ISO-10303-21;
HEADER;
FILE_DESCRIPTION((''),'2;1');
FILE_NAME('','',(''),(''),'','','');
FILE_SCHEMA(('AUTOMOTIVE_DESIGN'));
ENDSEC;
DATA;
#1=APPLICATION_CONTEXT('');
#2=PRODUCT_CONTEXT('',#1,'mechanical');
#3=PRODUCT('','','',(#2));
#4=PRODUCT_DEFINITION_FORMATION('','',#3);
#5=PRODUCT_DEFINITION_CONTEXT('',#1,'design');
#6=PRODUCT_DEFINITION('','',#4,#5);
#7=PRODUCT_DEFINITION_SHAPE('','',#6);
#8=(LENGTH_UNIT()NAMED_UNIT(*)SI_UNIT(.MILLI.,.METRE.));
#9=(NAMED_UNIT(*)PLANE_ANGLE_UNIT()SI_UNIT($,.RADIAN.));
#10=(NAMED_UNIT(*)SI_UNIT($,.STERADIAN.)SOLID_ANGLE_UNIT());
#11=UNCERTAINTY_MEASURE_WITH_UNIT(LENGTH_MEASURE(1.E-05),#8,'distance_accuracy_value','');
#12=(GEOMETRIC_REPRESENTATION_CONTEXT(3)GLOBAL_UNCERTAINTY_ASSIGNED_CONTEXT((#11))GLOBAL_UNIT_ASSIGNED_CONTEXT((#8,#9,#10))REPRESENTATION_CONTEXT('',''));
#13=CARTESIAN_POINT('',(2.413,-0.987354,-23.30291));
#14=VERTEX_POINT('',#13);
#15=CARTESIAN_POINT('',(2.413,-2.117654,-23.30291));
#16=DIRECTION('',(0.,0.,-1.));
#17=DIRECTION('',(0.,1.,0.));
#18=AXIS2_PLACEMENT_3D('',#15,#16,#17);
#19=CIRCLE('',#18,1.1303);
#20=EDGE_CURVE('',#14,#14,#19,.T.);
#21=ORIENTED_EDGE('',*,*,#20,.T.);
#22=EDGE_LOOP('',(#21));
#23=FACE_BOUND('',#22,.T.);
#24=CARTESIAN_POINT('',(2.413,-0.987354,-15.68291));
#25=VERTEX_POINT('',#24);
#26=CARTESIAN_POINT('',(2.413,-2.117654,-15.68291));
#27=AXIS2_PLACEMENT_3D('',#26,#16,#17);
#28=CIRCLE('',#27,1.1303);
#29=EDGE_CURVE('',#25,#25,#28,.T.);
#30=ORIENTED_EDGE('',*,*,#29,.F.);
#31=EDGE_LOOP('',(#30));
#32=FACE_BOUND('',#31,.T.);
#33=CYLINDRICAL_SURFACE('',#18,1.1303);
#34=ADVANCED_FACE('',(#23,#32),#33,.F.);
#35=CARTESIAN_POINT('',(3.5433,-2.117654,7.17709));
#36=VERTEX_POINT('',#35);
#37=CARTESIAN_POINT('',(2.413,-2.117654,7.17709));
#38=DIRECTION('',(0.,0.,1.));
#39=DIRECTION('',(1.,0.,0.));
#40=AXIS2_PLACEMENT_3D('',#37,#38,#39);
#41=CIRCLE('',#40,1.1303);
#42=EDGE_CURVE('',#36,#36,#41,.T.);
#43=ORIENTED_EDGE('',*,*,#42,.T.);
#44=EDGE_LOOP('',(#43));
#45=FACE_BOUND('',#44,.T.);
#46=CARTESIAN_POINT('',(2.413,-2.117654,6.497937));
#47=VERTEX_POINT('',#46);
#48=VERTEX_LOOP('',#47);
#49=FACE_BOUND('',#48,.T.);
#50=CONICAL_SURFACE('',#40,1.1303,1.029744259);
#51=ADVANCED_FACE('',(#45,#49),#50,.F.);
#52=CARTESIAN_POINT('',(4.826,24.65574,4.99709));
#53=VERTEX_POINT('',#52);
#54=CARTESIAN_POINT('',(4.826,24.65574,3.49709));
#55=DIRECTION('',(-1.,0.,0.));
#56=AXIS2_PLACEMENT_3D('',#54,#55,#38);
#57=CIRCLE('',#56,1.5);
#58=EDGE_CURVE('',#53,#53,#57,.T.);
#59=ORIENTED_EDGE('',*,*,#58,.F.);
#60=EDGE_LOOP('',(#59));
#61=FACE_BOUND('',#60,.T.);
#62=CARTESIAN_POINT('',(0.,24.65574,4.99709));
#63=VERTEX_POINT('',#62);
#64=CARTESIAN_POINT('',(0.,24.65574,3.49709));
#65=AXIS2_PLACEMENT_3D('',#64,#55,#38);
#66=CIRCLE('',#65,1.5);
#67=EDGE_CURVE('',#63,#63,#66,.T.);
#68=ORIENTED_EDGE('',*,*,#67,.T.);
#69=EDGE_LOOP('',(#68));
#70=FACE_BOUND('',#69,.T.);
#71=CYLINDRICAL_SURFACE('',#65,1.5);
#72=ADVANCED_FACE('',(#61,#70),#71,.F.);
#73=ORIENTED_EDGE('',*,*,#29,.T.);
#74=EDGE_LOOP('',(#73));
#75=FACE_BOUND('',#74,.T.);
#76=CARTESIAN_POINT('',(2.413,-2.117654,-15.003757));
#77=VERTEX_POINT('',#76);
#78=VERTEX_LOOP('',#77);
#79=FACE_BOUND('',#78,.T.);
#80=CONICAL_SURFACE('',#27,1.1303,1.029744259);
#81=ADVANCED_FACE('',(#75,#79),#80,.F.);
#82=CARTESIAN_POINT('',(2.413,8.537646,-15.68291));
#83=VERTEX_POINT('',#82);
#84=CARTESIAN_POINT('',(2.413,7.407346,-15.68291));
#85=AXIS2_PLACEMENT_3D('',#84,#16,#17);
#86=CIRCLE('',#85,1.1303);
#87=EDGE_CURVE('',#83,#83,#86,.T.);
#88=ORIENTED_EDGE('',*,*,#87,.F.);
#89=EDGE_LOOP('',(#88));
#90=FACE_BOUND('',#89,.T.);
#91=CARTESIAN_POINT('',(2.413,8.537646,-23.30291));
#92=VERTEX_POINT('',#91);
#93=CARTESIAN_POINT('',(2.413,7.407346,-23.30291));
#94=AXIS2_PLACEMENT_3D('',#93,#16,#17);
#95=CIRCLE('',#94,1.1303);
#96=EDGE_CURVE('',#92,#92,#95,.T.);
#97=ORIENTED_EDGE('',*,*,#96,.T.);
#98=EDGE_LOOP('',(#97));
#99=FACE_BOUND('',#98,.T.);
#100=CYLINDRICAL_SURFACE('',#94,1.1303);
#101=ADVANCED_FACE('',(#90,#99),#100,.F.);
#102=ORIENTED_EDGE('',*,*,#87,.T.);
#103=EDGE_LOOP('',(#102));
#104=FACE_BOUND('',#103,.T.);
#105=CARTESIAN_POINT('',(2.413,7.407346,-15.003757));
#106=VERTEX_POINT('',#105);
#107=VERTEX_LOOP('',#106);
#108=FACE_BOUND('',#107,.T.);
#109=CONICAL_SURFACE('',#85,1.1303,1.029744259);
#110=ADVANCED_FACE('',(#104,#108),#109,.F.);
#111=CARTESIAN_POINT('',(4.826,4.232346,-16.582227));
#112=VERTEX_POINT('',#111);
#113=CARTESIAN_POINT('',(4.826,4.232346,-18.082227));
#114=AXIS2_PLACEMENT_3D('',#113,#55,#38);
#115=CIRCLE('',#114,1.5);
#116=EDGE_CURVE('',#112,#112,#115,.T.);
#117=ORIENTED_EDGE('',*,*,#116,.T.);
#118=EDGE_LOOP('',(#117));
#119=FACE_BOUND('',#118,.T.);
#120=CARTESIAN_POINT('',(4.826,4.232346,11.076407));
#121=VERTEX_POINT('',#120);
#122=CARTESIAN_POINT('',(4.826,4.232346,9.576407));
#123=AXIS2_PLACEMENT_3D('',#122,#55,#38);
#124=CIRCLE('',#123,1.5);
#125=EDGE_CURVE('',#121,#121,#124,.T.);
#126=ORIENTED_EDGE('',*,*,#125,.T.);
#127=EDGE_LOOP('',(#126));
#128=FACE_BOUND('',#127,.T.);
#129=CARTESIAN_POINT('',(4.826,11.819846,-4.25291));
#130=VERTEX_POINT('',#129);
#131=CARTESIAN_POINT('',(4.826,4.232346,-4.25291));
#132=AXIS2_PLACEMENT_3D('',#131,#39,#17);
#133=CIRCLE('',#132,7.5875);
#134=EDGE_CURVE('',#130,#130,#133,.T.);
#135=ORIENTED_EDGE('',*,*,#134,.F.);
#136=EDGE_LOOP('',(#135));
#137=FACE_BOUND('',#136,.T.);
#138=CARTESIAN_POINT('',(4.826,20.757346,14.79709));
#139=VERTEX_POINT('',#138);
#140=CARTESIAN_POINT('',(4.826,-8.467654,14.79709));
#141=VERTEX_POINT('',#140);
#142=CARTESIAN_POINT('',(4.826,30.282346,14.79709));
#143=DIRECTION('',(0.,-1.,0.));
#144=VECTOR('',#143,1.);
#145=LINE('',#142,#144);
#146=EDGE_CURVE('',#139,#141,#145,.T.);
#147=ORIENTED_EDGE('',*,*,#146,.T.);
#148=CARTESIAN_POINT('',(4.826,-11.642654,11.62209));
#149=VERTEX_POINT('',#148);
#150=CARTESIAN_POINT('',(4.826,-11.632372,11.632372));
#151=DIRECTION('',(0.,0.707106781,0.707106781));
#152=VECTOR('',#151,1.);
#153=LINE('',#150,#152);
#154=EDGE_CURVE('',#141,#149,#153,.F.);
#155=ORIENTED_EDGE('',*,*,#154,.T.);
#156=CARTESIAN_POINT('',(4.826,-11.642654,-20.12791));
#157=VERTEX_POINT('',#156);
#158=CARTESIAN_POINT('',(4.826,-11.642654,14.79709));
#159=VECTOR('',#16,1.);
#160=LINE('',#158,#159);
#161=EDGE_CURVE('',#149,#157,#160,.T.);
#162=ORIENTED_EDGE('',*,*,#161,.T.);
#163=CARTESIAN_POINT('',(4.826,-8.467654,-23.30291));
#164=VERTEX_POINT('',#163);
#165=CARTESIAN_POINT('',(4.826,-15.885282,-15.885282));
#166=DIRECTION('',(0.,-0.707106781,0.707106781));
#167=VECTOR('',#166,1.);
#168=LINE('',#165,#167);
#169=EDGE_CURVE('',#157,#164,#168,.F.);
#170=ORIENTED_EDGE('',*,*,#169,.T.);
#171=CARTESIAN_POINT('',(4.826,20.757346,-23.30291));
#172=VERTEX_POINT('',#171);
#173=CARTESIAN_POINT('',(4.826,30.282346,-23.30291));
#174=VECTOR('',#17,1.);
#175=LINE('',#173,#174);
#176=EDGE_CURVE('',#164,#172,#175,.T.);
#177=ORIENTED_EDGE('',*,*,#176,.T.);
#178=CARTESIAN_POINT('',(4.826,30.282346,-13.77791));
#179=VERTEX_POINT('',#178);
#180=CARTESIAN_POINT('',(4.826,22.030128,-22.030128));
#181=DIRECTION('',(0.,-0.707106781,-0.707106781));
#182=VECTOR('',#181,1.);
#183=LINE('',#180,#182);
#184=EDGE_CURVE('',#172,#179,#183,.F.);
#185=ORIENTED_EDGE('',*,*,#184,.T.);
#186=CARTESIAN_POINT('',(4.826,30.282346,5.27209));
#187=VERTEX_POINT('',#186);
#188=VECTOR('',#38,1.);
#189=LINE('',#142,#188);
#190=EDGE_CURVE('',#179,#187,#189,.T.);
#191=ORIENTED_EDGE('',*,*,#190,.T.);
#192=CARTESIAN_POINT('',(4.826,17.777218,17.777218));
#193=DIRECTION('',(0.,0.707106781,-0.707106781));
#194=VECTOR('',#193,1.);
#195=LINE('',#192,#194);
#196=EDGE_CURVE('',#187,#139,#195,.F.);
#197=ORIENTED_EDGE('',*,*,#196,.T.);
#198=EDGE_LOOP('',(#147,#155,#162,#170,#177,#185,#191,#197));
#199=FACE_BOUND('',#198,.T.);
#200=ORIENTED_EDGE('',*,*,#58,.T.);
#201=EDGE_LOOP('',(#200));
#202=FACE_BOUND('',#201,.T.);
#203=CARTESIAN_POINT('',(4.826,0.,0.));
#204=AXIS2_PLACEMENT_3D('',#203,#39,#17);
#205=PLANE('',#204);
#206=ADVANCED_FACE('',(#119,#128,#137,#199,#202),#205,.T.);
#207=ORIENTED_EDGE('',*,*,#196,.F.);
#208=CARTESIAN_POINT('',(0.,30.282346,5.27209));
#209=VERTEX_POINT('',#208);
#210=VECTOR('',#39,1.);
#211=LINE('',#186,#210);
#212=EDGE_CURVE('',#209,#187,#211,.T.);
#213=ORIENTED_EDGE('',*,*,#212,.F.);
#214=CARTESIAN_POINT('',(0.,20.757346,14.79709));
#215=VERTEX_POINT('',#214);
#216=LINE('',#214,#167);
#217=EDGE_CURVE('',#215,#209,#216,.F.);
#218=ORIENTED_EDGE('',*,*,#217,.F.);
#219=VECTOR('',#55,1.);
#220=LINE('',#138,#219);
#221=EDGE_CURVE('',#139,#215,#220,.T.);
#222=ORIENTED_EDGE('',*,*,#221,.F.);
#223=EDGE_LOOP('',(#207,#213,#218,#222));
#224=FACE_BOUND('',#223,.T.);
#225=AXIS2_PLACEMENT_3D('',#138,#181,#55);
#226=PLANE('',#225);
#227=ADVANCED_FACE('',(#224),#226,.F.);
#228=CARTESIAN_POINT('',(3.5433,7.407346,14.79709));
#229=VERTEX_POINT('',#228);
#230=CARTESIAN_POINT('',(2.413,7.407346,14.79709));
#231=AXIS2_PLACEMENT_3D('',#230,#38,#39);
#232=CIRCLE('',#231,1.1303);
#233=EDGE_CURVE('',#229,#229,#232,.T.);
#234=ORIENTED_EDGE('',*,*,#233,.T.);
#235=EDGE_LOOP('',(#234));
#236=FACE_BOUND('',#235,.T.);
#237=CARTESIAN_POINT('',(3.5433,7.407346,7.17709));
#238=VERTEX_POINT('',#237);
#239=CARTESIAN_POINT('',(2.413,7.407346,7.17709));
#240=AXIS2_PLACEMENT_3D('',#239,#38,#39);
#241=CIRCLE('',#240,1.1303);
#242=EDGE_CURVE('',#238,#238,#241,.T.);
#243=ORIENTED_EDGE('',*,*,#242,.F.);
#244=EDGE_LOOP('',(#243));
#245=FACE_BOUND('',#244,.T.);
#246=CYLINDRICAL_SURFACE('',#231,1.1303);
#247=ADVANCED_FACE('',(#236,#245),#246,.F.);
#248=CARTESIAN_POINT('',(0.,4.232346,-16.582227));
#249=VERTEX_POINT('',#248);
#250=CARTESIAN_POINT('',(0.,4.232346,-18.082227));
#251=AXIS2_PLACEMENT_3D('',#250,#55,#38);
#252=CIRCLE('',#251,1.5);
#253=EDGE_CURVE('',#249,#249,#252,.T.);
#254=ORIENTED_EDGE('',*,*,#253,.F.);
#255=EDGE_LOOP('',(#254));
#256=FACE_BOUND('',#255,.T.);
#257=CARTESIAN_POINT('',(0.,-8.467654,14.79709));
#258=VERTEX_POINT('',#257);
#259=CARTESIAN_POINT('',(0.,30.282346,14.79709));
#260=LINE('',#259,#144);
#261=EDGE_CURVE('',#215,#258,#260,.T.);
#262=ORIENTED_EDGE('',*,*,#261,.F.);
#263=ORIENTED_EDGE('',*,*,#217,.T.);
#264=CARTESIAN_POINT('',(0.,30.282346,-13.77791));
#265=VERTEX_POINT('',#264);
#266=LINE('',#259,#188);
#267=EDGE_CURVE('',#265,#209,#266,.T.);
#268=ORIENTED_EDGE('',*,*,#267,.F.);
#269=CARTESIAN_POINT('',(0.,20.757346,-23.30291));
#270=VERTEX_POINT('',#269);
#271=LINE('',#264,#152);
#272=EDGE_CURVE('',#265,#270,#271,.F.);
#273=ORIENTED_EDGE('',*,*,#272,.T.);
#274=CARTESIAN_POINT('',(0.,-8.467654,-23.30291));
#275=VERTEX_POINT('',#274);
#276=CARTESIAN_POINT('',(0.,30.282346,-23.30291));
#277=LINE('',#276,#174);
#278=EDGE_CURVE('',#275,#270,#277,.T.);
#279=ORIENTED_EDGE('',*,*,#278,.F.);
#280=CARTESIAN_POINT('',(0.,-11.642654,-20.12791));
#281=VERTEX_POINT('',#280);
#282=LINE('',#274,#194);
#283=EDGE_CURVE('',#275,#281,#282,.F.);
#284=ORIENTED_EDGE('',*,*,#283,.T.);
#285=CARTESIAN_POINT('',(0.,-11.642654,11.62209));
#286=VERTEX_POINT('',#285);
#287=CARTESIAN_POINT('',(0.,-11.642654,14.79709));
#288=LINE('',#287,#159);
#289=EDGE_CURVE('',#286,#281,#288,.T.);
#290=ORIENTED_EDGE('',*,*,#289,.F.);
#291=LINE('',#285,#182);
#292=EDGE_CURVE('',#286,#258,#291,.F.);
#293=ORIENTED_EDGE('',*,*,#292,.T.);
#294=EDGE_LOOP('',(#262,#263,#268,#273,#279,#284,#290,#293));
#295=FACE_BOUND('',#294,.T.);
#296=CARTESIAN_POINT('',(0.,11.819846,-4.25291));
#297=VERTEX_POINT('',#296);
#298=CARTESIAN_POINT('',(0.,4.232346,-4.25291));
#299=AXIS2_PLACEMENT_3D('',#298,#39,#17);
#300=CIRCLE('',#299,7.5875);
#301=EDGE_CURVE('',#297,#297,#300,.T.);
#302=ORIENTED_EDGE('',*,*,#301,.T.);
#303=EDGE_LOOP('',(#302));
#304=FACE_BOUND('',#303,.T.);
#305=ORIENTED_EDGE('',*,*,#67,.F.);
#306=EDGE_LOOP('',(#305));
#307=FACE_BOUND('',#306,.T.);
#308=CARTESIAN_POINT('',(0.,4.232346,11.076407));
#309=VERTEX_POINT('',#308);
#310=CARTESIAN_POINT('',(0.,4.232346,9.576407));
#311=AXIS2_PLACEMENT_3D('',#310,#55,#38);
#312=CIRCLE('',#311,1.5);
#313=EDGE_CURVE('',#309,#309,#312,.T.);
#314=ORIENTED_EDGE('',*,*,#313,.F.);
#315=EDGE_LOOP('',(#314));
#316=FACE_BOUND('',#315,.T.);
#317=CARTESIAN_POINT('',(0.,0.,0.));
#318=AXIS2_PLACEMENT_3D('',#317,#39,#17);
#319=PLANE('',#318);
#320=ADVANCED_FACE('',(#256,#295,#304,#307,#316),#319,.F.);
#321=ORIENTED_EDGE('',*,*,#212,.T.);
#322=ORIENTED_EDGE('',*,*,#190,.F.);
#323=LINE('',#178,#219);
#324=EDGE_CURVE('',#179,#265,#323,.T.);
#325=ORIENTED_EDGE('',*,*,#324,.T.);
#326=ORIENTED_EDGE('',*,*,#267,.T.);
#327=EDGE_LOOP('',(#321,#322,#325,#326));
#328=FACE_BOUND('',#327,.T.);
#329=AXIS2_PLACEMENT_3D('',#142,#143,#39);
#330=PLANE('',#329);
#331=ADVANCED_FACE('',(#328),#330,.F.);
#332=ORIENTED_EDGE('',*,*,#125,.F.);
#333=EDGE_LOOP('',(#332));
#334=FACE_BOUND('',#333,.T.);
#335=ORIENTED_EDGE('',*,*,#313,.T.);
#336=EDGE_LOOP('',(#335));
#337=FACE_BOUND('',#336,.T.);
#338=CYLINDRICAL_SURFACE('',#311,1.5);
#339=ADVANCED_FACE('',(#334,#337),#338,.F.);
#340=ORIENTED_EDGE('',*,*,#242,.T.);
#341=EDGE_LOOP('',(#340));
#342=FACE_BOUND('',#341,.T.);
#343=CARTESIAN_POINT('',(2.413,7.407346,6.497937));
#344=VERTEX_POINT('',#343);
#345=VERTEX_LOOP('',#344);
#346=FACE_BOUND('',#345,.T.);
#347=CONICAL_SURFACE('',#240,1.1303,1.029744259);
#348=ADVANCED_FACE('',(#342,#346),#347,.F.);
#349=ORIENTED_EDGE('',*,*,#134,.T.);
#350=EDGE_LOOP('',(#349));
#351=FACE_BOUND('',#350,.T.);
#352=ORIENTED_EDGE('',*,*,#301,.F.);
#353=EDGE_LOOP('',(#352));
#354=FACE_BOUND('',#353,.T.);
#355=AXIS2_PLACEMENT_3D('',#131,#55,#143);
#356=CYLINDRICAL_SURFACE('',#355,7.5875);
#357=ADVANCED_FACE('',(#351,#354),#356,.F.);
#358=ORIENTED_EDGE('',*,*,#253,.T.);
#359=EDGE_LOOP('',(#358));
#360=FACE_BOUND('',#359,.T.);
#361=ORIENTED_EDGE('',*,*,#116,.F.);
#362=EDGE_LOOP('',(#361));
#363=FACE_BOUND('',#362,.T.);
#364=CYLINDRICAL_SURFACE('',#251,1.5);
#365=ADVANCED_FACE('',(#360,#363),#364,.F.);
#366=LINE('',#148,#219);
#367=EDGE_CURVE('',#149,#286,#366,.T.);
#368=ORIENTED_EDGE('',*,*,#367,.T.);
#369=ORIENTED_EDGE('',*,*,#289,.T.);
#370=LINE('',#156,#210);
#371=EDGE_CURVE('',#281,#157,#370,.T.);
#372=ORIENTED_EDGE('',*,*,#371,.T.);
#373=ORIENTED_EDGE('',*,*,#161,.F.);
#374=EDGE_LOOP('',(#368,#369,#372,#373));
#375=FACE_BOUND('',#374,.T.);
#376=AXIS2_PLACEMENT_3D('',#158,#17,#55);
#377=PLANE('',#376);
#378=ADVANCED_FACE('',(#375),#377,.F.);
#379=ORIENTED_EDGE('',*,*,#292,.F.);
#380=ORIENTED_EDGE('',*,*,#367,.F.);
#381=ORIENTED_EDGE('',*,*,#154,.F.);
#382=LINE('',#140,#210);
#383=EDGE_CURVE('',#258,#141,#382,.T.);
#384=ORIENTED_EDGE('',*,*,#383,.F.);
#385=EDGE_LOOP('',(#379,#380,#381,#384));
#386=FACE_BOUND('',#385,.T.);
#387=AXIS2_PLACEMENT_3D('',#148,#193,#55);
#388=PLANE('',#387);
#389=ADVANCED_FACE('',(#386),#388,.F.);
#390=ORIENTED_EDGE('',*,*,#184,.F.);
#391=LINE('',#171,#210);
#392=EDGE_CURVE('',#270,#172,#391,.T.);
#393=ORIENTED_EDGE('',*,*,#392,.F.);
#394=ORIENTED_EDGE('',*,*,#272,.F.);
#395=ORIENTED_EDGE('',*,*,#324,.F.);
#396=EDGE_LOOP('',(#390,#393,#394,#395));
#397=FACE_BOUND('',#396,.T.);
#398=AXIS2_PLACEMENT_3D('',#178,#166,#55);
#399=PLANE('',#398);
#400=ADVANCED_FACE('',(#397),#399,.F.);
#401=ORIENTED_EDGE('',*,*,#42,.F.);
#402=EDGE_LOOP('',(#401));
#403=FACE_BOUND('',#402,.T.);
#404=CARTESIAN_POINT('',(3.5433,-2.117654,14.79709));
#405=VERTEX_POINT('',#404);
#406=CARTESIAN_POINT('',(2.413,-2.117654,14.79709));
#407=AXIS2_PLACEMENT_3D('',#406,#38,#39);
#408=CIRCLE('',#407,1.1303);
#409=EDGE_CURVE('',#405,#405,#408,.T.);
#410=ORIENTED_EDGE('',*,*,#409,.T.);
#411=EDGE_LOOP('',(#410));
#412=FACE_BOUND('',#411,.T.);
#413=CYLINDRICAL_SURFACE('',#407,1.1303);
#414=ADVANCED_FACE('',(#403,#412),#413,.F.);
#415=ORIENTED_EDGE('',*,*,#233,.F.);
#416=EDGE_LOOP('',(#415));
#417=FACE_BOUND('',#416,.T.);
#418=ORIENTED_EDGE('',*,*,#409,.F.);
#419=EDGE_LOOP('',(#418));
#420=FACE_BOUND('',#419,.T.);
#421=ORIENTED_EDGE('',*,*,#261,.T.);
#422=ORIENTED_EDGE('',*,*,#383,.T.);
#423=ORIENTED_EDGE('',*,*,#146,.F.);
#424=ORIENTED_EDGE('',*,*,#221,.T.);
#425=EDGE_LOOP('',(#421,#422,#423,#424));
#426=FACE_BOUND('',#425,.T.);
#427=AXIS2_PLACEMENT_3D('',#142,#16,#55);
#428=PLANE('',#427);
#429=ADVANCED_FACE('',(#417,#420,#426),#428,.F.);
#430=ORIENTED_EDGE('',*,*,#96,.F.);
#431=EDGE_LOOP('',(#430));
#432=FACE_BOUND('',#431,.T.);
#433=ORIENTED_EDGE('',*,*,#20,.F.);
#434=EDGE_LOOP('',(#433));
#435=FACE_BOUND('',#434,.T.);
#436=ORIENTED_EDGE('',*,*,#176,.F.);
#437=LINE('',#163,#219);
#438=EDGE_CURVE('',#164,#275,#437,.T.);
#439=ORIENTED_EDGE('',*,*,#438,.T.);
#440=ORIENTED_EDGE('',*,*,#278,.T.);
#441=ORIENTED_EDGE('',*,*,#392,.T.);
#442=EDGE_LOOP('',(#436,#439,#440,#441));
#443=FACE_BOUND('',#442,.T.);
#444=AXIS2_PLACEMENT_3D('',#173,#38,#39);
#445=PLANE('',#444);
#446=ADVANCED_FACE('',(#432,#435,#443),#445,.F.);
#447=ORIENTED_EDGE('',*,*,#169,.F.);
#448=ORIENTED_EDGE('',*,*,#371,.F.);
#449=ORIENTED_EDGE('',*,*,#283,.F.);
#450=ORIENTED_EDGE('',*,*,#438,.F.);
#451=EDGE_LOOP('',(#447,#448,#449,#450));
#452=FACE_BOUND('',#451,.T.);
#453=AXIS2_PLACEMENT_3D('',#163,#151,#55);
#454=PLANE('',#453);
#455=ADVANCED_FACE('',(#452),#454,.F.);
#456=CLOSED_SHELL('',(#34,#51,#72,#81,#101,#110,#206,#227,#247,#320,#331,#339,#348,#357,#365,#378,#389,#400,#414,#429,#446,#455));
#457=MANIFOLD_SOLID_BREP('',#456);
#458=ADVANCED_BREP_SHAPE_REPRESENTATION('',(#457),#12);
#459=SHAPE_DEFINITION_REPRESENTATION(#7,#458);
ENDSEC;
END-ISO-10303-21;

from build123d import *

# Parameters (mm, degrees)
SKETCH1_W                 = 38.1
SKETCH1_H                 = 41.925
SKETCH1_R                 = 7.5875
BOSS_EXTRUDE1_DEPTH       = 4.826
F_3_0_3_DIAMETER_HOLE1_D  = 3
CHAMFER1_SIZE             = 9.525
CHAMFER2_SIZE             = 3.175
F_4_40_TAPPED_HOLE1_D     = 2.2606
F_4_40_TAPPED_HOLE1_DEPTH = 7.62
F_4_40_TAPPED_HOLE1_TIP   = 0.679152758
F_4_40_TAPPED_HOLE2_D     = 2.2606
F_4_40_TAPPED_HOLE2_DEPTH = 7.62
F_4_40_TAPPED_HOLE2_TIP   = 0.679152758


with BuildPart() as part:
    # Sketch1 → Boss-Extrude1 (new body)
    with BuildSketch(Plane(origin=(0, 0, 0), x_dir=(0, 0, -1), z_dir=(1, 0, 0))):
        with Locations((4.25291004, 9.319846416)):
            Rectangle(SKETCH1_W, SKETCH1_H)
        with Locations(Location((4.25291004, 4.232346416, 0), (0, 0, 90))):
            Circle(SKETCH1_R, mode=Mode.SUBTRACT)
    extrude(amount=BOSS_EXTRUDE1_DEPTH)

    # Ø3.0 (3) Diameter Hole1 (through all)
    with Locations(Plane.ZY):
        with Locations((3.49708996, 24.655740175), (9.576406646, 4.232346416), (-18.082226726, 4.232346416)):
            Hole(F_3_0_3_DIAMETER_HOLE1_D / 2)

    # Chamfer1
    chamfer1_edges = [part.edges().sort_by_distance(p)[0] for p in [
        (2.413, 30.282346416, 14.79708996),
        (2.413, 30.282346416, -23.30291004),
    ]]
    chamfer(chamfer1_edges, length=CHAMFER1_SIZE)

    # Chamfer2
    chamfer2_edges = [part.edges().sort_by_distance(p)[0] for p in [
        (2.413, -11.642653584, -23.30291004),
        (2.413, -11.642653584, 14.79708996),
    ]]
    chamfer(chamfer2_edges, length=CHAMFER2_SIZE)

    # #4-40 Tapped Hole1
    with Locations(Plane(origin=(-40.959349893, -24.044697485, -23.30291004), x_dir=(-1, 0, 0), z_dir=(0, 0, -1))):
        with Locations((-43.372349893, 31.452043901), (-43.372349893, 21.927043901)):
            Hole(F_4_40_TAPPED_HOLE1_D / 2, depth=F_4_40_TAPPED_HOLE1_DEPTH)
            with Locations((0, 0, -(F_4_40_TAPPED_HOLE1_DEPTH + F_4_40_TAPPED_HOLE1_TIP / 2))):  # 118° drill point
                Cone(0, F_4_40_TAPPED_HOLE1_D / 2, F_4_40_TAPPED_HOLE1_TIP, mode=Mode.SUBTRACT)

    # #4-40 Tapped Hole2
    with Locations(Plane(origin=(-40.959349893, -24.044697485, 14.79708996), x_dir=(1, 0, 0), z_dir=(0, 0, 1))):
        with Locations((43.372349893, 21.927043901), (43.372349893, 31.452043901)):
            Hole(F_4_40_TAPPED_HOLE2_D / 2, depth=F_4_40_TAPPED_HOLE2_DEPTH)
            with Locations((0, 0, -(F_4_40_TAPPED_HOLE2_DEPTH + F_4_40_TAPPED_HOLE2_TIP / 2))):  # 118° drill point
                Cone(0, F_4_40_TAPPED_HOLE2_D / 2, F_4_40_TAPPED_HOLE2_TIP, mode=Mode.SUBTRACT)


solid = part.part
